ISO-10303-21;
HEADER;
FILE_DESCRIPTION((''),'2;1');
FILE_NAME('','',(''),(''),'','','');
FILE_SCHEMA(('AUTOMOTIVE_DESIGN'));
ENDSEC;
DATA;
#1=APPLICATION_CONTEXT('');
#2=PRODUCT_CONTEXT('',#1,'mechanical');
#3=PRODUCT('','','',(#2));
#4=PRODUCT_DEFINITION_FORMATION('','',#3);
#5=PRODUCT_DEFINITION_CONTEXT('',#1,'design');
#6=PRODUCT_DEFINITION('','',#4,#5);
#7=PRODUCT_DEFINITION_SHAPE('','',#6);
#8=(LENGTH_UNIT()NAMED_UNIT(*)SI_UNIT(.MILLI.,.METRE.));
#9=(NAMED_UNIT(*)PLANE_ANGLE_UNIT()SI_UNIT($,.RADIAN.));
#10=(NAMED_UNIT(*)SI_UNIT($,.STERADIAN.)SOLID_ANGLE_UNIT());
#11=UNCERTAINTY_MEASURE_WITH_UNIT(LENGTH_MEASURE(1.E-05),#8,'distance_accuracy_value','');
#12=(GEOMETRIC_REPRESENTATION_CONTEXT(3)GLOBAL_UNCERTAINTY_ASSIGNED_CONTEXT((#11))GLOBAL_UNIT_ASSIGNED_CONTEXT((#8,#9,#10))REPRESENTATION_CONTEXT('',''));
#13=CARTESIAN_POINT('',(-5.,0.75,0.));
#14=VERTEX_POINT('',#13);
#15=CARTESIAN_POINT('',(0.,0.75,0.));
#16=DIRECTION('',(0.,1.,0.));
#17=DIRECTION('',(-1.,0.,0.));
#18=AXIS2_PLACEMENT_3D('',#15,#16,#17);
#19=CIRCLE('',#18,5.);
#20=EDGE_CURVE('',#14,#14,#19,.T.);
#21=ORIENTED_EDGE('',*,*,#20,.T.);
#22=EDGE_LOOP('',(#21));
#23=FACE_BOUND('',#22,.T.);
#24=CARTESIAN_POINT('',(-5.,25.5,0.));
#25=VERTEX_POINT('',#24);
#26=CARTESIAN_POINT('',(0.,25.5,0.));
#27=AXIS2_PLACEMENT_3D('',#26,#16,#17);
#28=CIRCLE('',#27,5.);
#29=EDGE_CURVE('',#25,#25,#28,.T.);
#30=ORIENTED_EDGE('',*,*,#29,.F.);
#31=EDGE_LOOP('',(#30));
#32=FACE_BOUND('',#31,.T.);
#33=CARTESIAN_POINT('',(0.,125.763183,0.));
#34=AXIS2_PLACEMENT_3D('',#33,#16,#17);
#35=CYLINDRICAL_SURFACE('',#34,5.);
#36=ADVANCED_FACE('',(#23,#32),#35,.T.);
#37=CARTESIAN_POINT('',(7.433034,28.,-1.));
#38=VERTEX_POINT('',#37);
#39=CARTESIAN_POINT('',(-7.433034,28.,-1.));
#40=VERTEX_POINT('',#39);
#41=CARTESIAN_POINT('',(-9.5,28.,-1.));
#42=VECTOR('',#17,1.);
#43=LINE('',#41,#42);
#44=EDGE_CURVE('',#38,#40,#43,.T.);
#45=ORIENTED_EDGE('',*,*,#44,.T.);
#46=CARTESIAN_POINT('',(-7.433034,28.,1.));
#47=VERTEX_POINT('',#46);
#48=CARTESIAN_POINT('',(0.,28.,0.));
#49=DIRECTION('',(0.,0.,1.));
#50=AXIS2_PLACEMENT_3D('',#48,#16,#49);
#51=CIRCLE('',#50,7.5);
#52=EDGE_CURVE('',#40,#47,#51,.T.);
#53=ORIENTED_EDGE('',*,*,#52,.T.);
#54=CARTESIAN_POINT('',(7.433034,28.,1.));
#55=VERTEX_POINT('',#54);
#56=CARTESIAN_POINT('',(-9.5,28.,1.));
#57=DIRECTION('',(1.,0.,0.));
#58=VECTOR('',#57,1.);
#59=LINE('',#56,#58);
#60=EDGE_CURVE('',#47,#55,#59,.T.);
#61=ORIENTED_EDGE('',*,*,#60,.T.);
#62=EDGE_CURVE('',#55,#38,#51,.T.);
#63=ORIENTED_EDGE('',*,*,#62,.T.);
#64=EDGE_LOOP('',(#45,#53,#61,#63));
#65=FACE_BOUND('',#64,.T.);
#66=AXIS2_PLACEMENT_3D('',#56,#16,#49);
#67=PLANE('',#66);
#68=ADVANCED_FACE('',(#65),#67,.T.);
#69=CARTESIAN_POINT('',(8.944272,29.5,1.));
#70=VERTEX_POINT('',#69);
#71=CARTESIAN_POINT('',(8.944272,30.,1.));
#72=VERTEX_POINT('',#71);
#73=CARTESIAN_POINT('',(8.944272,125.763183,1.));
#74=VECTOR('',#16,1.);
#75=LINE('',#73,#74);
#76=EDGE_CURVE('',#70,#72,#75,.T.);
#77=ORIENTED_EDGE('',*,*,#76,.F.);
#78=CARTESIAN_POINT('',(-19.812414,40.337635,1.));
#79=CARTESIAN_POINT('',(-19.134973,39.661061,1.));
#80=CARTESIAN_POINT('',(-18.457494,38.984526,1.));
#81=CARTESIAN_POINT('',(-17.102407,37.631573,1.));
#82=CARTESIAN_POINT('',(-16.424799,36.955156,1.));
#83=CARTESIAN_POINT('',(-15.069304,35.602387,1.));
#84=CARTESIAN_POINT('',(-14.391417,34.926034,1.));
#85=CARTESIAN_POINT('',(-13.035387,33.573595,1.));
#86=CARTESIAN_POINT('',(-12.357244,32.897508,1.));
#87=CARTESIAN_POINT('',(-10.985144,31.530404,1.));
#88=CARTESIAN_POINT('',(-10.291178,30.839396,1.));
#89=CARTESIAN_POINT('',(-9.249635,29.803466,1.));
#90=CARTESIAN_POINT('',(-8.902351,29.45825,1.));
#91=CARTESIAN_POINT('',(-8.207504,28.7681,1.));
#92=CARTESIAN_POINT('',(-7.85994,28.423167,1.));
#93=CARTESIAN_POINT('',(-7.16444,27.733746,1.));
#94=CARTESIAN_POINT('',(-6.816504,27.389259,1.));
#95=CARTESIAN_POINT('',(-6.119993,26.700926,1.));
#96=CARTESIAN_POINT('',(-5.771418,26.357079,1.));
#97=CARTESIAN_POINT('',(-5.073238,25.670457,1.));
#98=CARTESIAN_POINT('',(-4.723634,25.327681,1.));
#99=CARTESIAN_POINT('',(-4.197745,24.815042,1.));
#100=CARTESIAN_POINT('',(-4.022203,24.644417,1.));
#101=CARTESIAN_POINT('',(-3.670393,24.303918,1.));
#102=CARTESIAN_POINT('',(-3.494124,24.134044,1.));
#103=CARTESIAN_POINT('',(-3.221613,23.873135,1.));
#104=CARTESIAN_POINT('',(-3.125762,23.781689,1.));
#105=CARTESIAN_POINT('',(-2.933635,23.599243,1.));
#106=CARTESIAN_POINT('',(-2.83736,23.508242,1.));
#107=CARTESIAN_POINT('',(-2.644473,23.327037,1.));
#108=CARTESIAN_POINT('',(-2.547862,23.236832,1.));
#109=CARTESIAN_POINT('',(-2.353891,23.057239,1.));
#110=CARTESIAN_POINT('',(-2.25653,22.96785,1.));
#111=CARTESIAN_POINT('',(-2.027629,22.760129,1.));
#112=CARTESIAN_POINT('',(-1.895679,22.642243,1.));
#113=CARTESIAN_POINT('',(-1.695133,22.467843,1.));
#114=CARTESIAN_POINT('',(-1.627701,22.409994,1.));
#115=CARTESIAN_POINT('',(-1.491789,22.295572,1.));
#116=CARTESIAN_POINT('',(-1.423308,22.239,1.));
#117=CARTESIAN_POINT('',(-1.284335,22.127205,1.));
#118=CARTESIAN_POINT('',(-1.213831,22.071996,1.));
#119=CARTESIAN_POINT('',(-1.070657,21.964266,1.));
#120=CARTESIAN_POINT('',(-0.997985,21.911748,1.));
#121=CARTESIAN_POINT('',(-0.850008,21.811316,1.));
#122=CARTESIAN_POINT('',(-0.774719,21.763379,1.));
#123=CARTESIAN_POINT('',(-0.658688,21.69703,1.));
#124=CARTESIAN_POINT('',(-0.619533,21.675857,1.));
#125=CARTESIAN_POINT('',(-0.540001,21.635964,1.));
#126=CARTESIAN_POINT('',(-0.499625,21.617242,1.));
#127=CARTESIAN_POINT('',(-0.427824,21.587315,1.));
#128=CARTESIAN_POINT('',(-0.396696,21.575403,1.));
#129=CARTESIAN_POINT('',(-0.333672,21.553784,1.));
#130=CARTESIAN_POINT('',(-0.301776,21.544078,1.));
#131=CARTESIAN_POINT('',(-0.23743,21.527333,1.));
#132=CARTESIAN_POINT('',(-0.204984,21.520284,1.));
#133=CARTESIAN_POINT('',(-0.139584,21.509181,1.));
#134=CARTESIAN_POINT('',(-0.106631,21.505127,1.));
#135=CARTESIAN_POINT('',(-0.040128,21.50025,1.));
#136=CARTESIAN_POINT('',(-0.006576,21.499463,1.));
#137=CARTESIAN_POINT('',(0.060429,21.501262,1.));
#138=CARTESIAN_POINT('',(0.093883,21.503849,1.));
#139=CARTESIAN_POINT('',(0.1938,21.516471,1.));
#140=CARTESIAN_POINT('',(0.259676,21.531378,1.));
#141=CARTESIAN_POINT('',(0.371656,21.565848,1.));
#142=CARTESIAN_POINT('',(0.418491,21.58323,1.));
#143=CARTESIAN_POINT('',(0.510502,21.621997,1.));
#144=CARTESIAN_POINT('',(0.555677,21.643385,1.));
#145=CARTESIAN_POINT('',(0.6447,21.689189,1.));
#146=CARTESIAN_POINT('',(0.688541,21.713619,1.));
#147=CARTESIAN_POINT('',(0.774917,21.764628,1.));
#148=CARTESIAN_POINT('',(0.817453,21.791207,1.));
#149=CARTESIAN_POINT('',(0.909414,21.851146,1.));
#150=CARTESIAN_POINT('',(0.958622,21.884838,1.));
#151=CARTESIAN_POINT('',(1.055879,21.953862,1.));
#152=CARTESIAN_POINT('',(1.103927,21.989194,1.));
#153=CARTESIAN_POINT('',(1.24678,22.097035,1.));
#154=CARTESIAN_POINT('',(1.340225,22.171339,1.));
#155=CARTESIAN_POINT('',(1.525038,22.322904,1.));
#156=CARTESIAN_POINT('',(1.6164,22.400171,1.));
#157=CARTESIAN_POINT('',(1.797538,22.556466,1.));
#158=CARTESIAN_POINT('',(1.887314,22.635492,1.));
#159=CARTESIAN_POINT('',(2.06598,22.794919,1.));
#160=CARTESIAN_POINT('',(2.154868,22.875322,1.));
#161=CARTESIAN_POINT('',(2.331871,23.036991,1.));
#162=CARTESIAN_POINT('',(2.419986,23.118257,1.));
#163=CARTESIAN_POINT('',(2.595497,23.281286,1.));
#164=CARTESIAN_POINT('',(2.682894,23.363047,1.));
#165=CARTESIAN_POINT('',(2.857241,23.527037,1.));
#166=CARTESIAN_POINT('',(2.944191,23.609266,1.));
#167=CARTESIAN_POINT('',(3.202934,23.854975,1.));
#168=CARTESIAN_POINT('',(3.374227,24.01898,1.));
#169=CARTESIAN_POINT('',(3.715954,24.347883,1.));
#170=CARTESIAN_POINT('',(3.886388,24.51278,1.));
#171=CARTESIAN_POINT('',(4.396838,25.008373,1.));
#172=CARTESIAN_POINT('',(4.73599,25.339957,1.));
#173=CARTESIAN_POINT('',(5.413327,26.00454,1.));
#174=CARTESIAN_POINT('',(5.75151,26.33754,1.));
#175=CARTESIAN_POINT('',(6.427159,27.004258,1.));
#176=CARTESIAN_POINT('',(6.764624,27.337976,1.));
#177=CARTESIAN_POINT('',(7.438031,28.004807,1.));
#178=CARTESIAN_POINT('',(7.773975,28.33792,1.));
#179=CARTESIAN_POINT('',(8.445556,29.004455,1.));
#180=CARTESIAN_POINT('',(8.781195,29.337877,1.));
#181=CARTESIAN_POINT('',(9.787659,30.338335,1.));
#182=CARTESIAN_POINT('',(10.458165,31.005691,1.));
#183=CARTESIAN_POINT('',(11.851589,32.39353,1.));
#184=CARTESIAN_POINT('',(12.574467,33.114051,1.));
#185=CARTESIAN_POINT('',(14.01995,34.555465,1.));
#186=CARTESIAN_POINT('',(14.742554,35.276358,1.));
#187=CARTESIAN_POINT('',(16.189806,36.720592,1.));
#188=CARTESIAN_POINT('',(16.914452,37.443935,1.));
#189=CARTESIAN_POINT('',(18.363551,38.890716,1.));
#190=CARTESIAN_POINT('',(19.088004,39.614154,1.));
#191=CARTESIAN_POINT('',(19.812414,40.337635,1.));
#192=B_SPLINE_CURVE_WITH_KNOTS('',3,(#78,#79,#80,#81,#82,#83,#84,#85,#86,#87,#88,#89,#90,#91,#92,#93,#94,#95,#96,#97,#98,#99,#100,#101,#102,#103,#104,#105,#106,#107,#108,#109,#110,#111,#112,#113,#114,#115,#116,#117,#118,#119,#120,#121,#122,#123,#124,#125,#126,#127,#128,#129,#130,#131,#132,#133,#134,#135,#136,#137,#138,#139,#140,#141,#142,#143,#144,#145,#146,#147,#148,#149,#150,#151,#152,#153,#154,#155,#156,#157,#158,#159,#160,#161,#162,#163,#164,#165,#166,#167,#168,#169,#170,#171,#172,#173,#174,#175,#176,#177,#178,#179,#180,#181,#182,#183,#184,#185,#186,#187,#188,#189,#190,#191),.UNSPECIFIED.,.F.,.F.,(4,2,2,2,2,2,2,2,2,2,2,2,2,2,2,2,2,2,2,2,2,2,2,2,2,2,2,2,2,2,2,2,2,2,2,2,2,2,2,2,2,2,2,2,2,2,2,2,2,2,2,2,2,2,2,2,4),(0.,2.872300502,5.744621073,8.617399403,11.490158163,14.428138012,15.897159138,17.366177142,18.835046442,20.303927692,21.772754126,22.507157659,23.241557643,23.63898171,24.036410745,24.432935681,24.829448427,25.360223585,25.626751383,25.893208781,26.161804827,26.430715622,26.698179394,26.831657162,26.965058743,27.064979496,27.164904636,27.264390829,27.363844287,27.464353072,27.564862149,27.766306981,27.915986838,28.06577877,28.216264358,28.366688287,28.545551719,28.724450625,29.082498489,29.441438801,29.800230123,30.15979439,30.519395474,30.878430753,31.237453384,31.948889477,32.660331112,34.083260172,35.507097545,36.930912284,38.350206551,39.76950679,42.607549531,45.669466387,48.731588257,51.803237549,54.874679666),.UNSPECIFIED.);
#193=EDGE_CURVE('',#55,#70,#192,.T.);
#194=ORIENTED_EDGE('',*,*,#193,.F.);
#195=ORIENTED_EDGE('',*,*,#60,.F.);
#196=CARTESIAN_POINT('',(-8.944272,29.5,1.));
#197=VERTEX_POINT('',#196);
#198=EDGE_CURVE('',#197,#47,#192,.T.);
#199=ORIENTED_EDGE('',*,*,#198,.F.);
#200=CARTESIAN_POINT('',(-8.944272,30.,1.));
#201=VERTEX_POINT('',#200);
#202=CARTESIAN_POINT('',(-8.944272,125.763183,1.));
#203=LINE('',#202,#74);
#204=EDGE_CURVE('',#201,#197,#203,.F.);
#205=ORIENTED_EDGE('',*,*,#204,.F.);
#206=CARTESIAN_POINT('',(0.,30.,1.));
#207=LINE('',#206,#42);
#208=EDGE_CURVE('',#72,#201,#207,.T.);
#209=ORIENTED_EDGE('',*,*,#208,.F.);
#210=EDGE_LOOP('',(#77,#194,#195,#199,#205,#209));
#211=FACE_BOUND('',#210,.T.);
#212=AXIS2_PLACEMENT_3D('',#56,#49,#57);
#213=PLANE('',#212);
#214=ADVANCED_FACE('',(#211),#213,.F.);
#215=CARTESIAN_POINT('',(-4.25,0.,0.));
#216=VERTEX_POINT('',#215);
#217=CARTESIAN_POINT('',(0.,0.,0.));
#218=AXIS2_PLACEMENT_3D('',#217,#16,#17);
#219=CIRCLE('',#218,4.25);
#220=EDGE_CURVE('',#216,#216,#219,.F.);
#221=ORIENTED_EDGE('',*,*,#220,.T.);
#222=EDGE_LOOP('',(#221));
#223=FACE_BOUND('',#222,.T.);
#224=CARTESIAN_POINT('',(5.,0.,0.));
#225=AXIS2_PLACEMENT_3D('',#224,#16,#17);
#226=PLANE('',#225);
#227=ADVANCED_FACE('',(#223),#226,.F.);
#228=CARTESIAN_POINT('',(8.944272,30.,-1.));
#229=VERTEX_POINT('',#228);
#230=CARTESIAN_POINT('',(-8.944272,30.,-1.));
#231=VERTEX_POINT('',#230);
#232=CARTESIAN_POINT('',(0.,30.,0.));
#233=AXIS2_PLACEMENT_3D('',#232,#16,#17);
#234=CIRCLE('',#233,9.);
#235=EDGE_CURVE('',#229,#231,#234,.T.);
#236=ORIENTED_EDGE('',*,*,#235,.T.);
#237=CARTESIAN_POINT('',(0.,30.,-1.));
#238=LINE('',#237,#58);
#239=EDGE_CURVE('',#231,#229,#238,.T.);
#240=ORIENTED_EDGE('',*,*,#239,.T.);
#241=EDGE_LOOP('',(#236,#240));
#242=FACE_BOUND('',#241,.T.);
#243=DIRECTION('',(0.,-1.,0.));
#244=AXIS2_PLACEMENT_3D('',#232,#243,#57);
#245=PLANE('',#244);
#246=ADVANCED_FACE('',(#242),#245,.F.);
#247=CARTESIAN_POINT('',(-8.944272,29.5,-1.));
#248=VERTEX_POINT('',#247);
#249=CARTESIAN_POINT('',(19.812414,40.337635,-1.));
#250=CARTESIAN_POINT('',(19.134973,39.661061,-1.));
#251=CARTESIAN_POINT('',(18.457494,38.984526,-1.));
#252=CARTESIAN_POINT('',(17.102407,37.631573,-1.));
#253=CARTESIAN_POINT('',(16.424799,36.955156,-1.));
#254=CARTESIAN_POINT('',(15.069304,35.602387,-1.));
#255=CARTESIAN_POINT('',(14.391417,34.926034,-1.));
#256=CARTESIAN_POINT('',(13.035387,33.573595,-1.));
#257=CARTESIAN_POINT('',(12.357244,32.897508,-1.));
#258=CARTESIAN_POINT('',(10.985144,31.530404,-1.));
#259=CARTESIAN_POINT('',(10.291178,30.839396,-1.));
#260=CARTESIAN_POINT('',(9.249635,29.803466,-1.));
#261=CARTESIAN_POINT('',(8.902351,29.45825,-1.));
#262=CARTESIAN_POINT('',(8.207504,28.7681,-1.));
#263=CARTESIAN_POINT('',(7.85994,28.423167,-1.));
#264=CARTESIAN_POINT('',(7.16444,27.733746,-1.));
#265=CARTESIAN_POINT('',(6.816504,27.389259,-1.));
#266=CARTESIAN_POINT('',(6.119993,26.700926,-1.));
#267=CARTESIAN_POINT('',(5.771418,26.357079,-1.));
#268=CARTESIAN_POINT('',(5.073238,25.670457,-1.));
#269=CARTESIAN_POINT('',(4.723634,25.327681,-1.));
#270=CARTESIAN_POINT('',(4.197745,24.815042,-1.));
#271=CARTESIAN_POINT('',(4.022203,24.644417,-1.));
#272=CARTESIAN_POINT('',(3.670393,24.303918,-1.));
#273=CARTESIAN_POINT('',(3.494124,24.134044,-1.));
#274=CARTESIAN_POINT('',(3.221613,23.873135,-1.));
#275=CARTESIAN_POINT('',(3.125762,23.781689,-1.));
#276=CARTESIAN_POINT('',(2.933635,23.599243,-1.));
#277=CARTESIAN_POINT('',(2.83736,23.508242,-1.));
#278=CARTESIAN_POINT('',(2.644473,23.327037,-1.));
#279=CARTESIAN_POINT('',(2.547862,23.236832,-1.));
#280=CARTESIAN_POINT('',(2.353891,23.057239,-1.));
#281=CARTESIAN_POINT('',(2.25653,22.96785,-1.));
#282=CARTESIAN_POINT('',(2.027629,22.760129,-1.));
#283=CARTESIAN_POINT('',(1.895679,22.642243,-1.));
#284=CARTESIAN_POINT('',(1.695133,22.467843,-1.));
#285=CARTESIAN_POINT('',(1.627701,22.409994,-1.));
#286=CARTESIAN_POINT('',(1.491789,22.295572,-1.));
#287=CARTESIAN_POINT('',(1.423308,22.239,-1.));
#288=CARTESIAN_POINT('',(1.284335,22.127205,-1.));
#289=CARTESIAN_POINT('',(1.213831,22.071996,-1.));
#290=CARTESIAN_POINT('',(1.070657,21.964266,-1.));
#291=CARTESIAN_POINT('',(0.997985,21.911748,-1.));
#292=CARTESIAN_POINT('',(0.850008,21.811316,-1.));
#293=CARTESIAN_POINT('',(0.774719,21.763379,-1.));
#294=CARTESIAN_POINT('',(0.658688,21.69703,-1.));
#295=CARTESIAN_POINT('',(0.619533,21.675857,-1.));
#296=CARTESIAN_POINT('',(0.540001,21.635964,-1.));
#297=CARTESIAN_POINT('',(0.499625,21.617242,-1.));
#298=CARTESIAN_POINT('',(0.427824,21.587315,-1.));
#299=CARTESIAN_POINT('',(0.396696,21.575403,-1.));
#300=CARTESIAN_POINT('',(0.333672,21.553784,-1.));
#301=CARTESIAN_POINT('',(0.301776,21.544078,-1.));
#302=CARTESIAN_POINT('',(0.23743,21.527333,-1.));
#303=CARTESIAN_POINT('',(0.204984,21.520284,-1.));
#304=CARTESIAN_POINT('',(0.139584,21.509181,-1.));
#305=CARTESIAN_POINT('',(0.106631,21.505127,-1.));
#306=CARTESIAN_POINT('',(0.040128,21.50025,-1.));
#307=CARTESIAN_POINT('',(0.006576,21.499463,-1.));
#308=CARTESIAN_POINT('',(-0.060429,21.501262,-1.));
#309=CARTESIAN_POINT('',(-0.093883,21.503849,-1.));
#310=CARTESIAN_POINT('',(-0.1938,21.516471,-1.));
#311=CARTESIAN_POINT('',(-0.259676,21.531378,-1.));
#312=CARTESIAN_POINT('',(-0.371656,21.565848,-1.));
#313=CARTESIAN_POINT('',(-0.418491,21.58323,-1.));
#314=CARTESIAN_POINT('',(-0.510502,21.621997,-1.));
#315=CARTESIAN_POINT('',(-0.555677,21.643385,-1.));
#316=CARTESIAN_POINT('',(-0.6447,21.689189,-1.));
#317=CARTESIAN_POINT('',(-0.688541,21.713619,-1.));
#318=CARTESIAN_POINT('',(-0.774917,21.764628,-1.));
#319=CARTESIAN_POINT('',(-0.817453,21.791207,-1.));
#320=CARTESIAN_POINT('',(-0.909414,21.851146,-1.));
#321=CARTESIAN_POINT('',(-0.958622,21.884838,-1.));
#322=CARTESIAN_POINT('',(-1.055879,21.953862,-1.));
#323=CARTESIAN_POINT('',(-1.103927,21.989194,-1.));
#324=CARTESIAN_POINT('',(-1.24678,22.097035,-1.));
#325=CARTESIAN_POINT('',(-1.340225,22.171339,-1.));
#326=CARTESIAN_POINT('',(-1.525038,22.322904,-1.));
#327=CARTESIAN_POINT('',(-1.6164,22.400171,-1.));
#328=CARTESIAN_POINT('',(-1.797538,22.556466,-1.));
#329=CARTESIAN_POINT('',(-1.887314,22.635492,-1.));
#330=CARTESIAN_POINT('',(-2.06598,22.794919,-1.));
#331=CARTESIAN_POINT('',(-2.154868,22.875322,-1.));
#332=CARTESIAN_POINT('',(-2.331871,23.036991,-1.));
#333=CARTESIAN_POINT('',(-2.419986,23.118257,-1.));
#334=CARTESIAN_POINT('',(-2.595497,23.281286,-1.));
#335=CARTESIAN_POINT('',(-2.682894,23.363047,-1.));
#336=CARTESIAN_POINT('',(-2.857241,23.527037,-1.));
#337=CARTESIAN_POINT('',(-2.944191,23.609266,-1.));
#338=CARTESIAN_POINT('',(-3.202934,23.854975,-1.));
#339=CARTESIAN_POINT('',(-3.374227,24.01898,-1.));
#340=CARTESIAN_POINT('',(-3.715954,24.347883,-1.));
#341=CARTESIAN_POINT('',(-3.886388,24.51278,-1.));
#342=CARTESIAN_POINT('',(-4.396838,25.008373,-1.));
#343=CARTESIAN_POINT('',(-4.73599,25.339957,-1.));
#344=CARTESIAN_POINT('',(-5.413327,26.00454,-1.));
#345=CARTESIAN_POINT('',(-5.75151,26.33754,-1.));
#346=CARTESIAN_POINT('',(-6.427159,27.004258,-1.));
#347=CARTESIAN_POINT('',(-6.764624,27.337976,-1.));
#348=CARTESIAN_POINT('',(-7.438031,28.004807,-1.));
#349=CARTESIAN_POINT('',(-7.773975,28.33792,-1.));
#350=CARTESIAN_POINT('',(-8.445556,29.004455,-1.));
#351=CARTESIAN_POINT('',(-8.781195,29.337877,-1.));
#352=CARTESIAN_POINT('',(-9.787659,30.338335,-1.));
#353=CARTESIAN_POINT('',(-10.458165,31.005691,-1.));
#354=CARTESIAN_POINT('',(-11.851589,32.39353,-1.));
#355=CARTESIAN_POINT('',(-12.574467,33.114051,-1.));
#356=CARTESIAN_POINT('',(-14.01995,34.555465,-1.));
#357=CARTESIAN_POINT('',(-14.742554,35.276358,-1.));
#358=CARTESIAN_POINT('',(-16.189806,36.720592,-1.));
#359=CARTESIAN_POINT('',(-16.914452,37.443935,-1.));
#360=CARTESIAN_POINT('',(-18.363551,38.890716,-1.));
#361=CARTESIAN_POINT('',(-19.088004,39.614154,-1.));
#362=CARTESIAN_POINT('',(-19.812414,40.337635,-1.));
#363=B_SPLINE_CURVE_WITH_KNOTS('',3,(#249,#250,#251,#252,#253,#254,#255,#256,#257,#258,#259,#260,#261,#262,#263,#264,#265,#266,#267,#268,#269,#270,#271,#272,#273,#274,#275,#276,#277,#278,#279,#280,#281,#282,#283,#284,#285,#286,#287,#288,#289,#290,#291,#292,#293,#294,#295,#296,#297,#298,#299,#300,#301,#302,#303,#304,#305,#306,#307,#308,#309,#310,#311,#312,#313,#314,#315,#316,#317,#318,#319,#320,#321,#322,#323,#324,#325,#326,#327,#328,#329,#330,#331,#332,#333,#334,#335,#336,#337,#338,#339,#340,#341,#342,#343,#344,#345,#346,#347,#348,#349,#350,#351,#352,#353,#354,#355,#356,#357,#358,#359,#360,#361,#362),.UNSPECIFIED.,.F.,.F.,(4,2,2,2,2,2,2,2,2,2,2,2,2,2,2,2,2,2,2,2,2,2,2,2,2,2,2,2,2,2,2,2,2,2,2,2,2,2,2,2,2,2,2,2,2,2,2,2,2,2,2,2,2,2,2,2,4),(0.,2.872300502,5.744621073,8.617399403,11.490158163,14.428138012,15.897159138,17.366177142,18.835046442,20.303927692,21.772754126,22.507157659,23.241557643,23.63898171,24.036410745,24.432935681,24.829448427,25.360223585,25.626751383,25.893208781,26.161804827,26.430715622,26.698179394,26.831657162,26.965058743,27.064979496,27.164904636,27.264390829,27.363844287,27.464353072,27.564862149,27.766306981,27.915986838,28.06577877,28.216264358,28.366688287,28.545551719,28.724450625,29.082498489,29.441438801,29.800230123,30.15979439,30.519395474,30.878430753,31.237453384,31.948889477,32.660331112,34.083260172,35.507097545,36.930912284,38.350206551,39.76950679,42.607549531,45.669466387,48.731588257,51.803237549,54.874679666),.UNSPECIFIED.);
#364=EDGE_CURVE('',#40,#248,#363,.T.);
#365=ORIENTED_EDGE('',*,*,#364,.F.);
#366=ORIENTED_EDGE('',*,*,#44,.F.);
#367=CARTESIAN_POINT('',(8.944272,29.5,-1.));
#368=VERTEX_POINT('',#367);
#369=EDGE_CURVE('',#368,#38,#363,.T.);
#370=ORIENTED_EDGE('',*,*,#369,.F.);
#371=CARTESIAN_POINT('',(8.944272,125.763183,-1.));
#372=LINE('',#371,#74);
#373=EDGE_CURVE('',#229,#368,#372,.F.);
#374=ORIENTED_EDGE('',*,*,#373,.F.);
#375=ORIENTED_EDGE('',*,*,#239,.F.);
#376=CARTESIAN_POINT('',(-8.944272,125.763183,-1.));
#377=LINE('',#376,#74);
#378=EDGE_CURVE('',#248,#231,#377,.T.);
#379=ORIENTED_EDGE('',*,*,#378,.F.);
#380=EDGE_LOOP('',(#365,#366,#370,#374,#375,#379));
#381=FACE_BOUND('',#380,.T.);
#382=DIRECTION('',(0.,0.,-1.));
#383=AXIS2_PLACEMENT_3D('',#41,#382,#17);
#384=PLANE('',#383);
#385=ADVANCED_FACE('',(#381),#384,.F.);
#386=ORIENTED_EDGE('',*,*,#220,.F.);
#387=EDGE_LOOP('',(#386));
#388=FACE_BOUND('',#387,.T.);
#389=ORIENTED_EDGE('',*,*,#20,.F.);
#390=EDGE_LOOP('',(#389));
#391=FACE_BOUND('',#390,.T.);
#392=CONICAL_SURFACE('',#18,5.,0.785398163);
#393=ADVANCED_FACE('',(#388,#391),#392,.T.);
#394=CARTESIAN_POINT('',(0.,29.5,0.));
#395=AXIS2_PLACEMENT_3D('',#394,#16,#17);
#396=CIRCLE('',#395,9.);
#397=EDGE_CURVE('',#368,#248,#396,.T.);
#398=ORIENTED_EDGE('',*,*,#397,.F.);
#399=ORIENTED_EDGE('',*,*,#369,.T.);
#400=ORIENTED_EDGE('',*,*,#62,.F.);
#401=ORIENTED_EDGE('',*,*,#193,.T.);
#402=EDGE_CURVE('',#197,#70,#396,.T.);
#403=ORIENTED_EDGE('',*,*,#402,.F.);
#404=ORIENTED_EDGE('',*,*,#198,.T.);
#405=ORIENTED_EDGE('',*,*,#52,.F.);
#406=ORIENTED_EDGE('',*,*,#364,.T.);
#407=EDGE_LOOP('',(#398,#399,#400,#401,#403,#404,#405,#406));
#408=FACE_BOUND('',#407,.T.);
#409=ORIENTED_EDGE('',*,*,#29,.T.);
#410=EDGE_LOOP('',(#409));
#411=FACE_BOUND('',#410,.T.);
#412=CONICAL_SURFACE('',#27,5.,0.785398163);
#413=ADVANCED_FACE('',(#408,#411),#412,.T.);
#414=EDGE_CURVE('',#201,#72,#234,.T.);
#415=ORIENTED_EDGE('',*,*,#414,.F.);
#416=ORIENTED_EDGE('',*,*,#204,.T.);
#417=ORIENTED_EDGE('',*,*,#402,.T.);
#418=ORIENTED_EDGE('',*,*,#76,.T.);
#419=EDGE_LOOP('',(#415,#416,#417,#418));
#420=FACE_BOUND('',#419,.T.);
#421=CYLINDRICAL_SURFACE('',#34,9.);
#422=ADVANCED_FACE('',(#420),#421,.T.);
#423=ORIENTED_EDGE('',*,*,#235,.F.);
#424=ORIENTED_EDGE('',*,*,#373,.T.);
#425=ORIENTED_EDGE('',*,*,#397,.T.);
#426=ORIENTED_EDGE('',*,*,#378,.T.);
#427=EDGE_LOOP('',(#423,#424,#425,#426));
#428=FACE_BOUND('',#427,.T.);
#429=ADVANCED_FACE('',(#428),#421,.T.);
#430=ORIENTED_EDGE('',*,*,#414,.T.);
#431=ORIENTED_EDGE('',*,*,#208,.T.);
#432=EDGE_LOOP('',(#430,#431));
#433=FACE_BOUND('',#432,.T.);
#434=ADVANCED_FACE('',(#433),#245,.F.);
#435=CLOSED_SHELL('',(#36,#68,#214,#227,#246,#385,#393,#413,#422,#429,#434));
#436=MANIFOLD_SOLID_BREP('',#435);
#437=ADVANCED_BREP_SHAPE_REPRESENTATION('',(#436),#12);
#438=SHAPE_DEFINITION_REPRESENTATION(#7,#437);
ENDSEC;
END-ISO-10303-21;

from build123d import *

# Parameters (mm, degrees)
SKETCH_13_W         = 19
SKETCH_13_H         = 2
CUT_EXTRUDE_9_DEPTH = 2
CHAMFER_1_SIZE      = 0.75


with BuildPart() as part:
    # Эскиз1 → Повернуть1 (revolve)
    with BuildSketch(Plane.XY):
        Polygon((0, 30), (0, 0), (5, 0), (5, 25.5), (9, 29.5), (9, 30), align=None)
    revolve(axis=Axis((0, 125.763182898, 0), (0, -1, 0)))

    # Эскиз13 → Вырез-Вытянуть9 (cut)
    with BuildSketch(Plane(origin=(0, 30, 0), x_dir=(-1, 0, 0), z_dir=(0, 1, 0))):
        Rectangle(SKETCH_13_W, SKETCH_13_H)
    extrude(amount=-CUT_EXTRUDE_9_DEPTH, mode=Mode.SUBTRACT)

    # Фаска1
    chamfer_1_edges = [part.edges().sort_by_distance(p)[0] for p in [
        (-5, 0, 0),
    ]]
    chamfer(chamfer_1_edges, length=CHAMFER_1_SIZE)


solid = part.part
